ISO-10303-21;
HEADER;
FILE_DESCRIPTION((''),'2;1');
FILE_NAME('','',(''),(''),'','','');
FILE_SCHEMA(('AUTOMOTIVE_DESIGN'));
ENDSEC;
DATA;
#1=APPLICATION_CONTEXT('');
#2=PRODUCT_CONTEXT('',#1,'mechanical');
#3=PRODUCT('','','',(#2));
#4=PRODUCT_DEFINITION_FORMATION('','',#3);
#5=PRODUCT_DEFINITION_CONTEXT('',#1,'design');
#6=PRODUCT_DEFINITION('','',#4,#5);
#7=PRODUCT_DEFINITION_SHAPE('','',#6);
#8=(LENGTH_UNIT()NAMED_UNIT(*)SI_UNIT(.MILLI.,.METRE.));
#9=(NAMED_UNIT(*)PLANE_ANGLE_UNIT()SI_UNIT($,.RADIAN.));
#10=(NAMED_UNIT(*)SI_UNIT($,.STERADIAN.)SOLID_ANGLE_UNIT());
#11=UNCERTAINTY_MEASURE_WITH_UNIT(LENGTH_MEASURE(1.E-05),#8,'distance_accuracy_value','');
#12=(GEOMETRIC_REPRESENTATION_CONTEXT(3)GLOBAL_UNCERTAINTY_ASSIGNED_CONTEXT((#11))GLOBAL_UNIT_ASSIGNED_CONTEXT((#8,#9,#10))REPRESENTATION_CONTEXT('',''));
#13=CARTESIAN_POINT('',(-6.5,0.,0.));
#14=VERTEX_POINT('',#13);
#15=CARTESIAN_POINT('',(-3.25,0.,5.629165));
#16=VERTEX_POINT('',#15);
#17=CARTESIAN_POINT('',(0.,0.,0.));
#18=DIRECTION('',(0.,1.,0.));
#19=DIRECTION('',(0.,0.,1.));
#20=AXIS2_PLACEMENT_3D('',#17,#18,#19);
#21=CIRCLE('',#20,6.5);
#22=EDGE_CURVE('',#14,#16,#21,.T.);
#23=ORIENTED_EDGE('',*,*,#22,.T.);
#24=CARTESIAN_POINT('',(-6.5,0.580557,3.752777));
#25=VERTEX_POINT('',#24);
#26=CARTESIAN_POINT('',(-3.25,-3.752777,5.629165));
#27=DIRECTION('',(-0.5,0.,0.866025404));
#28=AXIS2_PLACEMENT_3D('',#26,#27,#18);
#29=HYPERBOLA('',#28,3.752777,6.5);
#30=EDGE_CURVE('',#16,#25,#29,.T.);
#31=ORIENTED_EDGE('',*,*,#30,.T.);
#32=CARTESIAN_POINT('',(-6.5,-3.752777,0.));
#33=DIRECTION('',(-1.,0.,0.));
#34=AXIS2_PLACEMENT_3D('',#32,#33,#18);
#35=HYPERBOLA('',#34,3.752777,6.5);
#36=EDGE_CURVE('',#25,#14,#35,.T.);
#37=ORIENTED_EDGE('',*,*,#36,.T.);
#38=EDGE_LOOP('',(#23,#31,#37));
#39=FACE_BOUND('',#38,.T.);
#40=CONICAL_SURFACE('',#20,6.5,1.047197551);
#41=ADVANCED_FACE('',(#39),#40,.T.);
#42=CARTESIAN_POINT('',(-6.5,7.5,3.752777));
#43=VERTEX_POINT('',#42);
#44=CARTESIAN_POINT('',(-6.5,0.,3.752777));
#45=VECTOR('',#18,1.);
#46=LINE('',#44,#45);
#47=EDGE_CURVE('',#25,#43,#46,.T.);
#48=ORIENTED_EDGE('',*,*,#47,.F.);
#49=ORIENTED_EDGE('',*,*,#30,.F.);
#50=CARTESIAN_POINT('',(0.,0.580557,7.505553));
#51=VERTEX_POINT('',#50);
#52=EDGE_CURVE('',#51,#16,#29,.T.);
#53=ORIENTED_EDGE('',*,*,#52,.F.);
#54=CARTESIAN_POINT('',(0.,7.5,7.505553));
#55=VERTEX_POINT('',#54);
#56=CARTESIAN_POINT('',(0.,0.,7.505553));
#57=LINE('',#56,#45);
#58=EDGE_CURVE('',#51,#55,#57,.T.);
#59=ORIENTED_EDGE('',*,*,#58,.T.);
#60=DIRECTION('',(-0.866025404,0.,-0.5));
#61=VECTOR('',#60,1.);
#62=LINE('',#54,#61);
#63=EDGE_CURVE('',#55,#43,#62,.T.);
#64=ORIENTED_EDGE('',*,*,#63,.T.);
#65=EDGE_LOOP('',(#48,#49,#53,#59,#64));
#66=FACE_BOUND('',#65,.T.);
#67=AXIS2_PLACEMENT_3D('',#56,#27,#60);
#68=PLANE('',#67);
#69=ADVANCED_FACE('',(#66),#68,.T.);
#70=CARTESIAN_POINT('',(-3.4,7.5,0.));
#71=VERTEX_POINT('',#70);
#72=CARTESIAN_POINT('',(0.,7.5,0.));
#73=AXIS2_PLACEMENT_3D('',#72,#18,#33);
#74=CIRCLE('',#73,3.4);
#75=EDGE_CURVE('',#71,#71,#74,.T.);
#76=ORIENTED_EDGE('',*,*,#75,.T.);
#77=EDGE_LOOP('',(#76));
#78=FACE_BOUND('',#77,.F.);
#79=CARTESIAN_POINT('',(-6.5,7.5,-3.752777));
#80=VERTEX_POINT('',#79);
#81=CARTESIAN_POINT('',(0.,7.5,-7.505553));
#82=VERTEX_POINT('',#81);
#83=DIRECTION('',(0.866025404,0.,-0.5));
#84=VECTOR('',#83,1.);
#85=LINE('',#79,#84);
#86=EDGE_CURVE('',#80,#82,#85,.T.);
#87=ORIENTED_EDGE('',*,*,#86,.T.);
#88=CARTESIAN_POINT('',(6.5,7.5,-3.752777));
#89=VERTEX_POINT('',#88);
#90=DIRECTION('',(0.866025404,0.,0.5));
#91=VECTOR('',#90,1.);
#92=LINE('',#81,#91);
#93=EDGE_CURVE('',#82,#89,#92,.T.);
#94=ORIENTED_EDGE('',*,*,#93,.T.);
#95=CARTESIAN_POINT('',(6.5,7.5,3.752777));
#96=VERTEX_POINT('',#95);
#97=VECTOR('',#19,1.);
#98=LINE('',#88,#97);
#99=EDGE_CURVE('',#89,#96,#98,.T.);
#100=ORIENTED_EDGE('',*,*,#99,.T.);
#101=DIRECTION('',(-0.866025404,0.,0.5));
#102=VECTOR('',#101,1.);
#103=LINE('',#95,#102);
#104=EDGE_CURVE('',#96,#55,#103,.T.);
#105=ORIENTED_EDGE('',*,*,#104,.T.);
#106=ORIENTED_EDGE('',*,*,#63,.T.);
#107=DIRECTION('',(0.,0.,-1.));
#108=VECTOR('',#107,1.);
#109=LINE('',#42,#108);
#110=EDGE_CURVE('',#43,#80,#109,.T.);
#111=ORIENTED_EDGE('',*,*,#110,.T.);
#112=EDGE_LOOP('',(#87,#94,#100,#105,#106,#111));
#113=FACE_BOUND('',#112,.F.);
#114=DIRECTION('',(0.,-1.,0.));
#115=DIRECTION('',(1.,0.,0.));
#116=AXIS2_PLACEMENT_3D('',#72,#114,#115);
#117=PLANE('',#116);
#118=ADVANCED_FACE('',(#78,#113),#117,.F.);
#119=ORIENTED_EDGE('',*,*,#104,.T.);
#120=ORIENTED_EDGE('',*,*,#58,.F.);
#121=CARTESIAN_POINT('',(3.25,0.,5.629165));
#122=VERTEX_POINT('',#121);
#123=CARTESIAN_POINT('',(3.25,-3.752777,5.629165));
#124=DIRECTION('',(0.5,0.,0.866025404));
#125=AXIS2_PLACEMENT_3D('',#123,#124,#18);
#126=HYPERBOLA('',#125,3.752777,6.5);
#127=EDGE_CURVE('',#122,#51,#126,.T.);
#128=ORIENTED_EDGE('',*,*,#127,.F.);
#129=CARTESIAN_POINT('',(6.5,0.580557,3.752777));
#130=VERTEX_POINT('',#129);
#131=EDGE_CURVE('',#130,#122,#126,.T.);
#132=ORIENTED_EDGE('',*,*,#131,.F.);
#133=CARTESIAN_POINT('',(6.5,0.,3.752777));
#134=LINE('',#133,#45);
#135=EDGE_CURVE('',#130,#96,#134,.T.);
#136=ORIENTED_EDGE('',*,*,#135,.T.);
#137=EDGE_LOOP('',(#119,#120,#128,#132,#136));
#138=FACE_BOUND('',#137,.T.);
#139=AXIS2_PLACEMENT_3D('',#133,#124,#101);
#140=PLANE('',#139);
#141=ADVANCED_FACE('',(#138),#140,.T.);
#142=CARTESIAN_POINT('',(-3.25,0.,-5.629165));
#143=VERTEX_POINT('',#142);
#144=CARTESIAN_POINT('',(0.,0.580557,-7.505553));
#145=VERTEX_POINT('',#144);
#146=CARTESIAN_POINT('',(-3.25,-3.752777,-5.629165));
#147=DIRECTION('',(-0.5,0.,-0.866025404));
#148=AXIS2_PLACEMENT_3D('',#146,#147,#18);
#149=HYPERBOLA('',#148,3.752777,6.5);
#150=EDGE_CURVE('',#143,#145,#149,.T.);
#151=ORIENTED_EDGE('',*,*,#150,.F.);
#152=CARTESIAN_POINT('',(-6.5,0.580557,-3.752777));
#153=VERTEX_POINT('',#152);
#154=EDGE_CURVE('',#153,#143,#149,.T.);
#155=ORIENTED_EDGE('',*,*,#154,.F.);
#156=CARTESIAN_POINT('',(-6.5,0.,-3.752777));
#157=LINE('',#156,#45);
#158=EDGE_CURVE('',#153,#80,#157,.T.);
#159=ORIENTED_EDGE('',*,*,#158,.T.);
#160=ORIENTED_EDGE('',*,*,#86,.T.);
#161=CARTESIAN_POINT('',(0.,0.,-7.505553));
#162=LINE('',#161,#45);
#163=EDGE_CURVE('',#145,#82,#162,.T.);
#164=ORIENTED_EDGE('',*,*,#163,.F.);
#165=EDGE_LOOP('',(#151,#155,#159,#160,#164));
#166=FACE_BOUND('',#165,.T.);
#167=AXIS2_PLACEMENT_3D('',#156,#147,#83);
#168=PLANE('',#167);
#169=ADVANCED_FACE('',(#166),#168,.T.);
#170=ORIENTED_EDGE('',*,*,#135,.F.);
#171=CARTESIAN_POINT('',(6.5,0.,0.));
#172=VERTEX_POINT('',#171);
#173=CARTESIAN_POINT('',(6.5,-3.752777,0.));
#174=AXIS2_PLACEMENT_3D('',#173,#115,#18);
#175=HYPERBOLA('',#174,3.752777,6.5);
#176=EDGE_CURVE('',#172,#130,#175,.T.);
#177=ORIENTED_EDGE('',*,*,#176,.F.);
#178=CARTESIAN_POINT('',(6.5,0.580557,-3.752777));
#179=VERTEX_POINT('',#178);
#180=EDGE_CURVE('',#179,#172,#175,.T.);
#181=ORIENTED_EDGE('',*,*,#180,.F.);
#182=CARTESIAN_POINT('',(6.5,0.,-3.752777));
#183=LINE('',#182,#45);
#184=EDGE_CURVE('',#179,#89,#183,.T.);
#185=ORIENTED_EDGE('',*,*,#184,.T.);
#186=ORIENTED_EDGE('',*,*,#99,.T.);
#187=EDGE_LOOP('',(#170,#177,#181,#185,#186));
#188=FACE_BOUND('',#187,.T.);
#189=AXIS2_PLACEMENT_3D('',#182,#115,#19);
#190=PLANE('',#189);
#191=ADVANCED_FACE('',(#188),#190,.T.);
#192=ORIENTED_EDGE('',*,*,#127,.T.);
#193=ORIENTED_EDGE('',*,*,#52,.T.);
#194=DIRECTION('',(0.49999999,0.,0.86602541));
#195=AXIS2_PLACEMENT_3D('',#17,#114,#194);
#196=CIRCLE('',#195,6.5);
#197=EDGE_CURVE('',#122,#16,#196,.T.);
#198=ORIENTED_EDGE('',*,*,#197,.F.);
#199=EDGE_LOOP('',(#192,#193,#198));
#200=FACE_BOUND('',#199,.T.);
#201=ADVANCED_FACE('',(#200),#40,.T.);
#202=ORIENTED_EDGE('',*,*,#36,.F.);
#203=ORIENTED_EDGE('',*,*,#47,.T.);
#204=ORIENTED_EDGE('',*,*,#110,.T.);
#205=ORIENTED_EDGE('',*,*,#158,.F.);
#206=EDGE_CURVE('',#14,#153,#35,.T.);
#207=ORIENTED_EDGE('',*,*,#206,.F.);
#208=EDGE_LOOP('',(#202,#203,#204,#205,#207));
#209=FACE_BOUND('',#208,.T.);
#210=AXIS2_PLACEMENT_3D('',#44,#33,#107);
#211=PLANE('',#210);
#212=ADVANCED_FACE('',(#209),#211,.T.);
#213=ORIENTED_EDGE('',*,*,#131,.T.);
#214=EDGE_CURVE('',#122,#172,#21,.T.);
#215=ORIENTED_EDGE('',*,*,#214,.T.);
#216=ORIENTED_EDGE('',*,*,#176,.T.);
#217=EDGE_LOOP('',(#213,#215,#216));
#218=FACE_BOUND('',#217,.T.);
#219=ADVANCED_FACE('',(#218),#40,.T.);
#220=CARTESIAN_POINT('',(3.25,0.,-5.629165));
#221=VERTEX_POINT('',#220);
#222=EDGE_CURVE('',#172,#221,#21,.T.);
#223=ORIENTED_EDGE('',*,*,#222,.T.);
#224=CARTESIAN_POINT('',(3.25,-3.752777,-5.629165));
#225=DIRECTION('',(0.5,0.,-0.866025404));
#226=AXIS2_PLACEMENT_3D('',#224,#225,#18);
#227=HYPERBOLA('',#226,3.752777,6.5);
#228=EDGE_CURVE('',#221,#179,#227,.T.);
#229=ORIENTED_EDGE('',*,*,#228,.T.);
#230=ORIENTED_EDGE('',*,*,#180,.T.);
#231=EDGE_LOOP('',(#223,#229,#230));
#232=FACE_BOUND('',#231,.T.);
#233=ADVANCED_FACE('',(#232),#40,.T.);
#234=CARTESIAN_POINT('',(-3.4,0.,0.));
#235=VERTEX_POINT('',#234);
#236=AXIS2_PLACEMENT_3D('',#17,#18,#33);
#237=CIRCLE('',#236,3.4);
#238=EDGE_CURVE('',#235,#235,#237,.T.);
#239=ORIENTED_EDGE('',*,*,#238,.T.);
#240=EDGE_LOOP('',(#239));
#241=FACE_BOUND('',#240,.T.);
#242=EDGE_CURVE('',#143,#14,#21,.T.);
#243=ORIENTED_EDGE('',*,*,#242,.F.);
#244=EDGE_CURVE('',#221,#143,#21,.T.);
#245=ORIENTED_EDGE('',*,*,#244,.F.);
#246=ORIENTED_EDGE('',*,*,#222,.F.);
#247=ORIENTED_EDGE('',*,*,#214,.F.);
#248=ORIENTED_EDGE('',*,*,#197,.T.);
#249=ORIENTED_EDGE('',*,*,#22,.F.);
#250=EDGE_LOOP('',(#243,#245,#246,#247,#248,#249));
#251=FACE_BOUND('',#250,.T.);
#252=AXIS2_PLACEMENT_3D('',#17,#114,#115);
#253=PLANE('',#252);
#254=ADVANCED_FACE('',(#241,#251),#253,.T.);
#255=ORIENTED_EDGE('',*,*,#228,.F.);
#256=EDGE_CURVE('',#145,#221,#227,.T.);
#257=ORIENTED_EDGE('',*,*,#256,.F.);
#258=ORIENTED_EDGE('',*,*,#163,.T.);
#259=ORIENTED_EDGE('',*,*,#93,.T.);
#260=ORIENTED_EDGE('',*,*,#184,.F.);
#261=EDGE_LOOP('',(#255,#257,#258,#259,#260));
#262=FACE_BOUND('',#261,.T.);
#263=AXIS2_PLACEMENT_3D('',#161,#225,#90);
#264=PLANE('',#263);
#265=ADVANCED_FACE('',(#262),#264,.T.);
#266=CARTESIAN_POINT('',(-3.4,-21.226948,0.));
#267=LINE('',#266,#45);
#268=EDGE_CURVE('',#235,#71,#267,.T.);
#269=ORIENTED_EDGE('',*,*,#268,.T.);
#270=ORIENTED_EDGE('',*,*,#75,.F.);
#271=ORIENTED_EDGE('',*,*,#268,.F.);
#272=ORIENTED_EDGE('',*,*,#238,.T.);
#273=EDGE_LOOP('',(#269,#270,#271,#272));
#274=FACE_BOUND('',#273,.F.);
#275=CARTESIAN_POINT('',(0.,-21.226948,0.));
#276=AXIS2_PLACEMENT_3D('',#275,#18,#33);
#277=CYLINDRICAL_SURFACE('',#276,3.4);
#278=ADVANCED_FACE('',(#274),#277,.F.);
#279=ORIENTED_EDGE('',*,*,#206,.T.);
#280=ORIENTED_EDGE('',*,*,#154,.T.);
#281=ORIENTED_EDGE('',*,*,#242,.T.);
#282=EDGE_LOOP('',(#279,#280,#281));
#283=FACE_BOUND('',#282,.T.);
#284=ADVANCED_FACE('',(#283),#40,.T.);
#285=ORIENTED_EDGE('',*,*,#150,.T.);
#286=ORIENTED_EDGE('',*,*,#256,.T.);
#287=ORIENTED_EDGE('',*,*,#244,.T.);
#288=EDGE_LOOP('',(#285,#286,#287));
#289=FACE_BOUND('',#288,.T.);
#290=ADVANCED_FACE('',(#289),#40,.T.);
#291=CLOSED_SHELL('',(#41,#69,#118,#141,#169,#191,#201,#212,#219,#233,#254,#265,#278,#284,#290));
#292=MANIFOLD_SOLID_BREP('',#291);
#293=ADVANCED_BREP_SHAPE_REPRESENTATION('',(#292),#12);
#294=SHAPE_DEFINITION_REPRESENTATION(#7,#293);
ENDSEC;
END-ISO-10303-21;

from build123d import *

# Parameters (mm, degrees)
F1_DEPTH = 7.5
F5_D     = 6.8


with BuildPart() as f1:
    # F0 (on Front) → F1 (new body)
    with BuildSketch(Plane.XZ):
        Polygon((6.5, -3.7527767497), (6.5, 3.7527767497), (0, 7.5055534995), (-6.5, 3.7527767497), (-6.5, -3.7527767497), (0, -7.5055534995), align=None)
    extrude(amount=-F1_DEPTH)

    # F2 (on Right) → F3 (revolve, cut)
    with BuildSketch(Plane.YZ):
        Polygon((0, 11.5055534995), (0, 6.5), (2.8899576604, 11.5055534995), align=None)
    revolve(axis=Axis((0, 2.7997596189, 0), (0, 1, 0)), mode=Mode.SUBTRACT)

    # F5 (through all)
    with Locations(Plane.XZ):
        with Locations((0, 0)):
            Hole(F5_D / 2)


solid = f1.part
